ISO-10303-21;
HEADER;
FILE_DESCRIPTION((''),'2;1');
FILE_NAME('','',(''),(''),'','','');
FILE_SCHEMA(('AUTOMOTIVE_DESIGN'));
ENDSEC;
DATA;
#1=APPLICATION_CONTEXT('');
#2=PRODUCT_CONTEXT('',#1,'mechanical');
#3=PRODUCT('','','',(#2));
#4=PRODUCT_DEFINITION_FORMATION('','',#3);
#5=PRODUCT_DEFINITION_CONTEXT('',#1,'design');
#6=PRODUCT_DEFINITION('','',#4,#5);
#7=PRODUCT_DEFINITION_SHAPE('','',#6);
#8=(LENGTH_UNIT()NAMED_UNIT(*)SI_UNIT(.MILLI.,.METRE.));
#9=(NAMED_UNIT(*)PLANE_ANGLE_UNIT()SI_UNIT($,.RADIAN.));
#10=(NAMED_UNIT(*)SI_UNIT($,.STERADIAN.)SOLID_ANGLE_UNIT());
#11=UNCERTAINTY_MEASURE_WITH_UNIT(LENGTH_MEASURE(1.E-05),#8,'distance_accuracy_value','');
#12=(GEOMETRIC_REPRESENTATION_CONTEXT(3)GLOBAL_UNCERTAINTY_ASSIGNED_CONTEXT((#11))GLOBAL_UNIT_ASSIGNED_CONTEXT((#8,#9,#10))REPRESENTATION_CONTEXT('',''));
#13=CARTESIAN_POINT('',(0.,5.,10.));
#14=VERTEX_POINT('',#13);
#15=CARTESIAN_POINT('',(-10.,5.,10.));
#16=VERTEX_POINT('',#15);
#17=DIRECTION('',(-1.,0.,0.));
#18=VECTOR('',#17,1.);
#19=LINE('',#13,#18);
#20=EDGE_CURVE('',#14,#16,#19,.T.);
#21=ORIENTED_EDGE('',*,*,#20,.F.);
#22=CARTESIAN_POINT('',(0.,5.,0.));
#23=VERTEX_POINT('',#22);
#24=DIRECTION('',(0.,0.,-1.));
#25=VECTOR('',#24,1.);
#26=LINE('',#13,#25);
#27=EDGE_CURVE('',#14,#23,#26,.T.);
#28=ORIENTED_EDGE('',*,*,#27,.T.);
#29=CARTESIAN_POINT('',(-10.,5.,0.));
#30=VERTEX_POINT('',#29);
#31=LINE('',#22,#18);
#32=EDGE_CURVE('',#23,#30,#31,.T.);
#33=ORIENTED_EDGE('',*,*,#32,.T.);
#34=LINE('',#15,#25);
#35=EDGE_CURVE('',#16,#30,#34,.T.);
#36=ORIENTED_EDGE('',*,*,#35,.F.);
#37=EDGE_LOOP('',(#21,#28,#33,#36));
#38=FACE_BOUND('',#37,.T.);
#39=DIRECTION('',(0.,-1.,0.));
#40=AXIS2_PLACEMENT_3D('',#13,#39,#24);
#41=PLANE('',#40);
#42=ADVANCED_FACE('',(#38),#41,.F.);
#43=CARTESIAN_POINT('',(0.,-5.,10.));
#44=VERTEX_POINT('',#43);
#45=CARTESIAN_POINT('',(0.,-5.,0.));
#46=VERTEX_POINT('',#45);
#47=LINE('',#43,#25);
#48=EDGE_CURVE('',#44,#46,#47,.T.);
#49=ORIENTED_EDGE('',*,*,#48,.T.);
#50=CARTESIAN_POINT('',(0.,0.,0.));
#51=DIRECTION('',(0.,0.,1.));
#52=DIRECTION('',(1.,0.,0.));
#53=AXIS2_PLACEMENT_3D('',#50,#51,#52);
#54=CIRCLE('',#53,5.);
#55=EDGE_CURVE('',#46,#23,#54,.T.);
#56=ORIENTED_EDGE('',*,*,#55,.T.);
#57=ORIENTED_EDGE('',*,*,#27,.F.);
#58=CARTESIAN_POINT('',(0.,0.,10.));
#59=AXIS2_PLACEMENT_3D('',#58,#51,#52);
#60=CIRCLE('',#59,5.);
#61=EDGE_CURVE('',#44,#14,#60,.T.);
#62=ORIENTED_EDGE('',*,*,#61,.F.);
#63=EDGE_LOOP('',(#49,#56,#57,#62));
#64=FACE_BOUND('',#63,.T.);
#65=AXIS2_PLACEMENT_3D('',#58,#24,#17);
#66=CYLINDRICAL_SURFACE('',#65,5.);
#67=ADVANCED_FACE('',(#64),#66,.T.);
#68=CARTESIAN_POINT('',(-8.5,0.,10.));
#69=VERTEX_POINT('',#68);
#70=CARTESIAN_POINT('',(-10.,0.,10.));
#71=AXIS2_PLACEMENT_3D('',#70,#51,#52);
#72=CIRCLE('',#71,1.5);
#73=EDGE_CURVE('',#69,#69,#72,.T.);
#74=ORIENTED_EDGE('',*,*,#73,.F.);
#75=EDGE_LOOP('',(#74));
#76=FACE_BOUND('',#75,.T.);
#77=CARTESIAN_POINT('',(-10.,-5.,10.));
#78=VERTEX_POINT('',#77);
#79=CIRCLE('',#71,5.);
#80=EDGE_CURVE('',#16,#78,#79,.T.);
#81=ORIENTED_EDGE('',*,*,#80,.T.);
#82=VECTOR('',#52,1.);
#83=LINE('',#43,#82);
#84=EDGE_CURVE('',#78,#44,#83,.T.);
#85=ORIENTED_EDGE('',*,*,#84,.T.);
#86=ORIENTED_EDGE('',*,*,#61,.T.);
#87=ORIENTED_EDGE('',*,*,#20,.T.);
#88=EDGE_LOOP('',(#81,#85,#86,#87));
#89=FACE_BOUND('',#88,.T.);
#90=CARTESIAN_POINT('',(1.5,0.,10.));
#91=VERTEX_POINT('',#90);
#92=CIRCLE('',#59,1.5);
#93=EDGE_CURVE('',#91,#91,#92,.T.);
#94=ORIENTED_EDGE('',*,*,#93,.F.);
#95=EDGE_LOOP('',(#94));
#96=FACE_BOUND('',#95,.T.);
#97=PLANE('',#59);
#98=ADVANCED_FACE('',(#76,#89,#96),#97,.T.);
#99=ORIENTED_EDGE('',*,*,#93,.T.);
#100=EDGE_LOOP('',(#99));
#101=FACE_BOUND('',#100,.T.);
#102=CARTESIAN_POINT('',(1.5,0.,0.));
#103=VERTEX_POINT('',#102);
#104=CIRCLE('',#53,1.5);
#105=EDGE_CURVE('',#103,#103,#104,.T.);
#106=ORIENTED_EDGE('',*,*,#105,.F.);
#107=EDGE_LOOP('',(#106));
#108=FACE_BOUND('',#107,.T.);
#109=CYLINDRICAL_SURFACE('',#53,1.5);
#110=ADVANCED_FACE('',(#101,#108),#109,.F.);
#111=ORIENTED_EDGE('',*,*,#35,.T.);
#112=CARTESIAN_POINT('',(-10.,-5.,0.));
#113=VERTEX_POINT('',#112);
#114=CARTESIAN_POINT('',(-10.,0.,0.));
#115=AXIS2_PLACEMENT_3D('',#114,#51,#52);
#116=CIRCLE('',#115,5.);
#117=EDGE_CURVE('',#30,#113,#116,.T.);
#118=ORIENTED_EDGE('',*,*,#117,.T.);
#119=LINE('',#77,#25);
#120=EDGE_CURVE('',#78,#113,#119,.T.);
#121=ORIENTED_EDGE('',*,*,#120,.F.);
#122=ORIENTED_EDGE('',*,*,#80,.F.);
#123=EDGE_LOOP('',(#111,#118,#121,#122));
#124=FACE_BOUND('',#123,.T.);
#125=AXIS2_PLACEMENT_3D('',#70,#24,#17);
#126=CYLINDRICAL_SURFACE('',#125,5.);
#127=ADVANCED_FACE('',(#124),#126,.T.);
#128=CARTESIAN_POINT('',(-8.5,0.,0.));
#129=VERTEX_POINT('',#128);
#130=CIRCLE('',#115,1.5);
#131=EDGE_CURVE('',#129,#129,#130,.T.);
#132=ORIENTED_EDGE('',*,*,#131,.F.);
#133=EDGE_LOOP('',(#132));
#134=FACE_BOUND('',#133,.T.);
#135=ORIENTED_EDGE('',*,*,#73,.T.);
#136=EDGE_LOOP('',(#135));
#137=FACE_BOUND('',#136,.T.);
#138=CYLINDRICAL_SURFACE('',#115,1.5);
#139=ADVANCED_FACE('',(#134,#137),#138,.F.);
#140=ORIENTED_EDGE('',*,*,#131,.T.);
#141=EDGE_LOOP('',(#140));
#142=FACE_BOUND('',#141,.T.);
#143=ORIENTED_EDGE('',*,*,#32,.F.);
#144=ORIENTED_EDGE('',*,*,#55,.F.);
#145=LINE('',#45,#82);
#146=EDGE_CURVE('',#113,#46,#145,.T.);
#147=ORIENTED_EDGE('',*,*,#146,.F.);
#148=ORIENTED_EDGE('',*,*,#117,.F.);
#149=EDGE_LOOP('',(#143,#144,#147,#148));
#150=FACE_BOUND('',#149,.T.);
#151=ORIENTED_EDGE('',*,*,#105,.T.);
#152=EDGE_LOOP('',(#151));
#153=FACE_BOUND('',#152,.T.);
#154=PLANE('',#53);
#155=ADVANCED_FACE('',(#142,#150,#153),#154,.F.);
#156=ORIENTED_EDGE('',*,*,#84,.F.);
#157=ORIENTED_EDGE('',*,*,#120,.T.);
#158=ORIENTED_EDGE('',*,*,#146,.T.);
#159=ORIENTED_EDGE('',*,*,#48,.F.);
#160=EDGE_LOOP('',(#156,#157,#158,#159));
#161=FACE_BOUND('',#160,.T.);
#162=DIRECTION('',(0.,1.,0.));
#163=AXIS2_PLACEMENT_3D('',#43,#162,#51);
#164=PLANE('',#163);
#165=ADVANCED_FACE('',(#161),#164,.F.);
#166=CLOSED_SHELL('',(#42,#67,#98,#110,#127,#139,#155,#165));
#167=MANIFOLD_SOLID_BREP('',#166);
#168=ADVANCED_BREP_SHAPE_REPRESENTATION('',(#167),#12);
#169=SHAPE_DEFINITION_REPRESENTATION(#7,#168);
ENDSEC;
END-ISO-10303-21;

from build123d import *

# Parameters (mm, degrees)
EXTRUDE_1_DEPTH     = 10
SKETCH_2_R          = 1.5
CUT_EXTRUDE_1_DEPTH = 10


with BuildPart() as part:
    # 草图1 → 凸台-拉伸1 (new body)
    with BuildSketch(Plane.XY):
        with BuildLine():
            Line((0, -5), (-10, -5))
            ThreePointArc((-10, -5), (-15, 0), (-10, 5))
            Line((-10, 5), (0, 5))
            ThreePointArc((0, 5), (5, 0), (0, -5))
        make_face()
    extrude(amount=EXTRUDE_1_DEPTH)

    # 草图2 → 切除-拉伸1 (cut)
    with BuildSketch(Plane.XY.offset(10)):
        Circle(SKETCH_2_R)
        with Locations((-10, 0)):
            Circle(SKETCH_2_R)
    extrude(amount=-CUT_EXTRUDE_1_DEPTH, mode=Mode.SUBTRACT)


solid = part.part
